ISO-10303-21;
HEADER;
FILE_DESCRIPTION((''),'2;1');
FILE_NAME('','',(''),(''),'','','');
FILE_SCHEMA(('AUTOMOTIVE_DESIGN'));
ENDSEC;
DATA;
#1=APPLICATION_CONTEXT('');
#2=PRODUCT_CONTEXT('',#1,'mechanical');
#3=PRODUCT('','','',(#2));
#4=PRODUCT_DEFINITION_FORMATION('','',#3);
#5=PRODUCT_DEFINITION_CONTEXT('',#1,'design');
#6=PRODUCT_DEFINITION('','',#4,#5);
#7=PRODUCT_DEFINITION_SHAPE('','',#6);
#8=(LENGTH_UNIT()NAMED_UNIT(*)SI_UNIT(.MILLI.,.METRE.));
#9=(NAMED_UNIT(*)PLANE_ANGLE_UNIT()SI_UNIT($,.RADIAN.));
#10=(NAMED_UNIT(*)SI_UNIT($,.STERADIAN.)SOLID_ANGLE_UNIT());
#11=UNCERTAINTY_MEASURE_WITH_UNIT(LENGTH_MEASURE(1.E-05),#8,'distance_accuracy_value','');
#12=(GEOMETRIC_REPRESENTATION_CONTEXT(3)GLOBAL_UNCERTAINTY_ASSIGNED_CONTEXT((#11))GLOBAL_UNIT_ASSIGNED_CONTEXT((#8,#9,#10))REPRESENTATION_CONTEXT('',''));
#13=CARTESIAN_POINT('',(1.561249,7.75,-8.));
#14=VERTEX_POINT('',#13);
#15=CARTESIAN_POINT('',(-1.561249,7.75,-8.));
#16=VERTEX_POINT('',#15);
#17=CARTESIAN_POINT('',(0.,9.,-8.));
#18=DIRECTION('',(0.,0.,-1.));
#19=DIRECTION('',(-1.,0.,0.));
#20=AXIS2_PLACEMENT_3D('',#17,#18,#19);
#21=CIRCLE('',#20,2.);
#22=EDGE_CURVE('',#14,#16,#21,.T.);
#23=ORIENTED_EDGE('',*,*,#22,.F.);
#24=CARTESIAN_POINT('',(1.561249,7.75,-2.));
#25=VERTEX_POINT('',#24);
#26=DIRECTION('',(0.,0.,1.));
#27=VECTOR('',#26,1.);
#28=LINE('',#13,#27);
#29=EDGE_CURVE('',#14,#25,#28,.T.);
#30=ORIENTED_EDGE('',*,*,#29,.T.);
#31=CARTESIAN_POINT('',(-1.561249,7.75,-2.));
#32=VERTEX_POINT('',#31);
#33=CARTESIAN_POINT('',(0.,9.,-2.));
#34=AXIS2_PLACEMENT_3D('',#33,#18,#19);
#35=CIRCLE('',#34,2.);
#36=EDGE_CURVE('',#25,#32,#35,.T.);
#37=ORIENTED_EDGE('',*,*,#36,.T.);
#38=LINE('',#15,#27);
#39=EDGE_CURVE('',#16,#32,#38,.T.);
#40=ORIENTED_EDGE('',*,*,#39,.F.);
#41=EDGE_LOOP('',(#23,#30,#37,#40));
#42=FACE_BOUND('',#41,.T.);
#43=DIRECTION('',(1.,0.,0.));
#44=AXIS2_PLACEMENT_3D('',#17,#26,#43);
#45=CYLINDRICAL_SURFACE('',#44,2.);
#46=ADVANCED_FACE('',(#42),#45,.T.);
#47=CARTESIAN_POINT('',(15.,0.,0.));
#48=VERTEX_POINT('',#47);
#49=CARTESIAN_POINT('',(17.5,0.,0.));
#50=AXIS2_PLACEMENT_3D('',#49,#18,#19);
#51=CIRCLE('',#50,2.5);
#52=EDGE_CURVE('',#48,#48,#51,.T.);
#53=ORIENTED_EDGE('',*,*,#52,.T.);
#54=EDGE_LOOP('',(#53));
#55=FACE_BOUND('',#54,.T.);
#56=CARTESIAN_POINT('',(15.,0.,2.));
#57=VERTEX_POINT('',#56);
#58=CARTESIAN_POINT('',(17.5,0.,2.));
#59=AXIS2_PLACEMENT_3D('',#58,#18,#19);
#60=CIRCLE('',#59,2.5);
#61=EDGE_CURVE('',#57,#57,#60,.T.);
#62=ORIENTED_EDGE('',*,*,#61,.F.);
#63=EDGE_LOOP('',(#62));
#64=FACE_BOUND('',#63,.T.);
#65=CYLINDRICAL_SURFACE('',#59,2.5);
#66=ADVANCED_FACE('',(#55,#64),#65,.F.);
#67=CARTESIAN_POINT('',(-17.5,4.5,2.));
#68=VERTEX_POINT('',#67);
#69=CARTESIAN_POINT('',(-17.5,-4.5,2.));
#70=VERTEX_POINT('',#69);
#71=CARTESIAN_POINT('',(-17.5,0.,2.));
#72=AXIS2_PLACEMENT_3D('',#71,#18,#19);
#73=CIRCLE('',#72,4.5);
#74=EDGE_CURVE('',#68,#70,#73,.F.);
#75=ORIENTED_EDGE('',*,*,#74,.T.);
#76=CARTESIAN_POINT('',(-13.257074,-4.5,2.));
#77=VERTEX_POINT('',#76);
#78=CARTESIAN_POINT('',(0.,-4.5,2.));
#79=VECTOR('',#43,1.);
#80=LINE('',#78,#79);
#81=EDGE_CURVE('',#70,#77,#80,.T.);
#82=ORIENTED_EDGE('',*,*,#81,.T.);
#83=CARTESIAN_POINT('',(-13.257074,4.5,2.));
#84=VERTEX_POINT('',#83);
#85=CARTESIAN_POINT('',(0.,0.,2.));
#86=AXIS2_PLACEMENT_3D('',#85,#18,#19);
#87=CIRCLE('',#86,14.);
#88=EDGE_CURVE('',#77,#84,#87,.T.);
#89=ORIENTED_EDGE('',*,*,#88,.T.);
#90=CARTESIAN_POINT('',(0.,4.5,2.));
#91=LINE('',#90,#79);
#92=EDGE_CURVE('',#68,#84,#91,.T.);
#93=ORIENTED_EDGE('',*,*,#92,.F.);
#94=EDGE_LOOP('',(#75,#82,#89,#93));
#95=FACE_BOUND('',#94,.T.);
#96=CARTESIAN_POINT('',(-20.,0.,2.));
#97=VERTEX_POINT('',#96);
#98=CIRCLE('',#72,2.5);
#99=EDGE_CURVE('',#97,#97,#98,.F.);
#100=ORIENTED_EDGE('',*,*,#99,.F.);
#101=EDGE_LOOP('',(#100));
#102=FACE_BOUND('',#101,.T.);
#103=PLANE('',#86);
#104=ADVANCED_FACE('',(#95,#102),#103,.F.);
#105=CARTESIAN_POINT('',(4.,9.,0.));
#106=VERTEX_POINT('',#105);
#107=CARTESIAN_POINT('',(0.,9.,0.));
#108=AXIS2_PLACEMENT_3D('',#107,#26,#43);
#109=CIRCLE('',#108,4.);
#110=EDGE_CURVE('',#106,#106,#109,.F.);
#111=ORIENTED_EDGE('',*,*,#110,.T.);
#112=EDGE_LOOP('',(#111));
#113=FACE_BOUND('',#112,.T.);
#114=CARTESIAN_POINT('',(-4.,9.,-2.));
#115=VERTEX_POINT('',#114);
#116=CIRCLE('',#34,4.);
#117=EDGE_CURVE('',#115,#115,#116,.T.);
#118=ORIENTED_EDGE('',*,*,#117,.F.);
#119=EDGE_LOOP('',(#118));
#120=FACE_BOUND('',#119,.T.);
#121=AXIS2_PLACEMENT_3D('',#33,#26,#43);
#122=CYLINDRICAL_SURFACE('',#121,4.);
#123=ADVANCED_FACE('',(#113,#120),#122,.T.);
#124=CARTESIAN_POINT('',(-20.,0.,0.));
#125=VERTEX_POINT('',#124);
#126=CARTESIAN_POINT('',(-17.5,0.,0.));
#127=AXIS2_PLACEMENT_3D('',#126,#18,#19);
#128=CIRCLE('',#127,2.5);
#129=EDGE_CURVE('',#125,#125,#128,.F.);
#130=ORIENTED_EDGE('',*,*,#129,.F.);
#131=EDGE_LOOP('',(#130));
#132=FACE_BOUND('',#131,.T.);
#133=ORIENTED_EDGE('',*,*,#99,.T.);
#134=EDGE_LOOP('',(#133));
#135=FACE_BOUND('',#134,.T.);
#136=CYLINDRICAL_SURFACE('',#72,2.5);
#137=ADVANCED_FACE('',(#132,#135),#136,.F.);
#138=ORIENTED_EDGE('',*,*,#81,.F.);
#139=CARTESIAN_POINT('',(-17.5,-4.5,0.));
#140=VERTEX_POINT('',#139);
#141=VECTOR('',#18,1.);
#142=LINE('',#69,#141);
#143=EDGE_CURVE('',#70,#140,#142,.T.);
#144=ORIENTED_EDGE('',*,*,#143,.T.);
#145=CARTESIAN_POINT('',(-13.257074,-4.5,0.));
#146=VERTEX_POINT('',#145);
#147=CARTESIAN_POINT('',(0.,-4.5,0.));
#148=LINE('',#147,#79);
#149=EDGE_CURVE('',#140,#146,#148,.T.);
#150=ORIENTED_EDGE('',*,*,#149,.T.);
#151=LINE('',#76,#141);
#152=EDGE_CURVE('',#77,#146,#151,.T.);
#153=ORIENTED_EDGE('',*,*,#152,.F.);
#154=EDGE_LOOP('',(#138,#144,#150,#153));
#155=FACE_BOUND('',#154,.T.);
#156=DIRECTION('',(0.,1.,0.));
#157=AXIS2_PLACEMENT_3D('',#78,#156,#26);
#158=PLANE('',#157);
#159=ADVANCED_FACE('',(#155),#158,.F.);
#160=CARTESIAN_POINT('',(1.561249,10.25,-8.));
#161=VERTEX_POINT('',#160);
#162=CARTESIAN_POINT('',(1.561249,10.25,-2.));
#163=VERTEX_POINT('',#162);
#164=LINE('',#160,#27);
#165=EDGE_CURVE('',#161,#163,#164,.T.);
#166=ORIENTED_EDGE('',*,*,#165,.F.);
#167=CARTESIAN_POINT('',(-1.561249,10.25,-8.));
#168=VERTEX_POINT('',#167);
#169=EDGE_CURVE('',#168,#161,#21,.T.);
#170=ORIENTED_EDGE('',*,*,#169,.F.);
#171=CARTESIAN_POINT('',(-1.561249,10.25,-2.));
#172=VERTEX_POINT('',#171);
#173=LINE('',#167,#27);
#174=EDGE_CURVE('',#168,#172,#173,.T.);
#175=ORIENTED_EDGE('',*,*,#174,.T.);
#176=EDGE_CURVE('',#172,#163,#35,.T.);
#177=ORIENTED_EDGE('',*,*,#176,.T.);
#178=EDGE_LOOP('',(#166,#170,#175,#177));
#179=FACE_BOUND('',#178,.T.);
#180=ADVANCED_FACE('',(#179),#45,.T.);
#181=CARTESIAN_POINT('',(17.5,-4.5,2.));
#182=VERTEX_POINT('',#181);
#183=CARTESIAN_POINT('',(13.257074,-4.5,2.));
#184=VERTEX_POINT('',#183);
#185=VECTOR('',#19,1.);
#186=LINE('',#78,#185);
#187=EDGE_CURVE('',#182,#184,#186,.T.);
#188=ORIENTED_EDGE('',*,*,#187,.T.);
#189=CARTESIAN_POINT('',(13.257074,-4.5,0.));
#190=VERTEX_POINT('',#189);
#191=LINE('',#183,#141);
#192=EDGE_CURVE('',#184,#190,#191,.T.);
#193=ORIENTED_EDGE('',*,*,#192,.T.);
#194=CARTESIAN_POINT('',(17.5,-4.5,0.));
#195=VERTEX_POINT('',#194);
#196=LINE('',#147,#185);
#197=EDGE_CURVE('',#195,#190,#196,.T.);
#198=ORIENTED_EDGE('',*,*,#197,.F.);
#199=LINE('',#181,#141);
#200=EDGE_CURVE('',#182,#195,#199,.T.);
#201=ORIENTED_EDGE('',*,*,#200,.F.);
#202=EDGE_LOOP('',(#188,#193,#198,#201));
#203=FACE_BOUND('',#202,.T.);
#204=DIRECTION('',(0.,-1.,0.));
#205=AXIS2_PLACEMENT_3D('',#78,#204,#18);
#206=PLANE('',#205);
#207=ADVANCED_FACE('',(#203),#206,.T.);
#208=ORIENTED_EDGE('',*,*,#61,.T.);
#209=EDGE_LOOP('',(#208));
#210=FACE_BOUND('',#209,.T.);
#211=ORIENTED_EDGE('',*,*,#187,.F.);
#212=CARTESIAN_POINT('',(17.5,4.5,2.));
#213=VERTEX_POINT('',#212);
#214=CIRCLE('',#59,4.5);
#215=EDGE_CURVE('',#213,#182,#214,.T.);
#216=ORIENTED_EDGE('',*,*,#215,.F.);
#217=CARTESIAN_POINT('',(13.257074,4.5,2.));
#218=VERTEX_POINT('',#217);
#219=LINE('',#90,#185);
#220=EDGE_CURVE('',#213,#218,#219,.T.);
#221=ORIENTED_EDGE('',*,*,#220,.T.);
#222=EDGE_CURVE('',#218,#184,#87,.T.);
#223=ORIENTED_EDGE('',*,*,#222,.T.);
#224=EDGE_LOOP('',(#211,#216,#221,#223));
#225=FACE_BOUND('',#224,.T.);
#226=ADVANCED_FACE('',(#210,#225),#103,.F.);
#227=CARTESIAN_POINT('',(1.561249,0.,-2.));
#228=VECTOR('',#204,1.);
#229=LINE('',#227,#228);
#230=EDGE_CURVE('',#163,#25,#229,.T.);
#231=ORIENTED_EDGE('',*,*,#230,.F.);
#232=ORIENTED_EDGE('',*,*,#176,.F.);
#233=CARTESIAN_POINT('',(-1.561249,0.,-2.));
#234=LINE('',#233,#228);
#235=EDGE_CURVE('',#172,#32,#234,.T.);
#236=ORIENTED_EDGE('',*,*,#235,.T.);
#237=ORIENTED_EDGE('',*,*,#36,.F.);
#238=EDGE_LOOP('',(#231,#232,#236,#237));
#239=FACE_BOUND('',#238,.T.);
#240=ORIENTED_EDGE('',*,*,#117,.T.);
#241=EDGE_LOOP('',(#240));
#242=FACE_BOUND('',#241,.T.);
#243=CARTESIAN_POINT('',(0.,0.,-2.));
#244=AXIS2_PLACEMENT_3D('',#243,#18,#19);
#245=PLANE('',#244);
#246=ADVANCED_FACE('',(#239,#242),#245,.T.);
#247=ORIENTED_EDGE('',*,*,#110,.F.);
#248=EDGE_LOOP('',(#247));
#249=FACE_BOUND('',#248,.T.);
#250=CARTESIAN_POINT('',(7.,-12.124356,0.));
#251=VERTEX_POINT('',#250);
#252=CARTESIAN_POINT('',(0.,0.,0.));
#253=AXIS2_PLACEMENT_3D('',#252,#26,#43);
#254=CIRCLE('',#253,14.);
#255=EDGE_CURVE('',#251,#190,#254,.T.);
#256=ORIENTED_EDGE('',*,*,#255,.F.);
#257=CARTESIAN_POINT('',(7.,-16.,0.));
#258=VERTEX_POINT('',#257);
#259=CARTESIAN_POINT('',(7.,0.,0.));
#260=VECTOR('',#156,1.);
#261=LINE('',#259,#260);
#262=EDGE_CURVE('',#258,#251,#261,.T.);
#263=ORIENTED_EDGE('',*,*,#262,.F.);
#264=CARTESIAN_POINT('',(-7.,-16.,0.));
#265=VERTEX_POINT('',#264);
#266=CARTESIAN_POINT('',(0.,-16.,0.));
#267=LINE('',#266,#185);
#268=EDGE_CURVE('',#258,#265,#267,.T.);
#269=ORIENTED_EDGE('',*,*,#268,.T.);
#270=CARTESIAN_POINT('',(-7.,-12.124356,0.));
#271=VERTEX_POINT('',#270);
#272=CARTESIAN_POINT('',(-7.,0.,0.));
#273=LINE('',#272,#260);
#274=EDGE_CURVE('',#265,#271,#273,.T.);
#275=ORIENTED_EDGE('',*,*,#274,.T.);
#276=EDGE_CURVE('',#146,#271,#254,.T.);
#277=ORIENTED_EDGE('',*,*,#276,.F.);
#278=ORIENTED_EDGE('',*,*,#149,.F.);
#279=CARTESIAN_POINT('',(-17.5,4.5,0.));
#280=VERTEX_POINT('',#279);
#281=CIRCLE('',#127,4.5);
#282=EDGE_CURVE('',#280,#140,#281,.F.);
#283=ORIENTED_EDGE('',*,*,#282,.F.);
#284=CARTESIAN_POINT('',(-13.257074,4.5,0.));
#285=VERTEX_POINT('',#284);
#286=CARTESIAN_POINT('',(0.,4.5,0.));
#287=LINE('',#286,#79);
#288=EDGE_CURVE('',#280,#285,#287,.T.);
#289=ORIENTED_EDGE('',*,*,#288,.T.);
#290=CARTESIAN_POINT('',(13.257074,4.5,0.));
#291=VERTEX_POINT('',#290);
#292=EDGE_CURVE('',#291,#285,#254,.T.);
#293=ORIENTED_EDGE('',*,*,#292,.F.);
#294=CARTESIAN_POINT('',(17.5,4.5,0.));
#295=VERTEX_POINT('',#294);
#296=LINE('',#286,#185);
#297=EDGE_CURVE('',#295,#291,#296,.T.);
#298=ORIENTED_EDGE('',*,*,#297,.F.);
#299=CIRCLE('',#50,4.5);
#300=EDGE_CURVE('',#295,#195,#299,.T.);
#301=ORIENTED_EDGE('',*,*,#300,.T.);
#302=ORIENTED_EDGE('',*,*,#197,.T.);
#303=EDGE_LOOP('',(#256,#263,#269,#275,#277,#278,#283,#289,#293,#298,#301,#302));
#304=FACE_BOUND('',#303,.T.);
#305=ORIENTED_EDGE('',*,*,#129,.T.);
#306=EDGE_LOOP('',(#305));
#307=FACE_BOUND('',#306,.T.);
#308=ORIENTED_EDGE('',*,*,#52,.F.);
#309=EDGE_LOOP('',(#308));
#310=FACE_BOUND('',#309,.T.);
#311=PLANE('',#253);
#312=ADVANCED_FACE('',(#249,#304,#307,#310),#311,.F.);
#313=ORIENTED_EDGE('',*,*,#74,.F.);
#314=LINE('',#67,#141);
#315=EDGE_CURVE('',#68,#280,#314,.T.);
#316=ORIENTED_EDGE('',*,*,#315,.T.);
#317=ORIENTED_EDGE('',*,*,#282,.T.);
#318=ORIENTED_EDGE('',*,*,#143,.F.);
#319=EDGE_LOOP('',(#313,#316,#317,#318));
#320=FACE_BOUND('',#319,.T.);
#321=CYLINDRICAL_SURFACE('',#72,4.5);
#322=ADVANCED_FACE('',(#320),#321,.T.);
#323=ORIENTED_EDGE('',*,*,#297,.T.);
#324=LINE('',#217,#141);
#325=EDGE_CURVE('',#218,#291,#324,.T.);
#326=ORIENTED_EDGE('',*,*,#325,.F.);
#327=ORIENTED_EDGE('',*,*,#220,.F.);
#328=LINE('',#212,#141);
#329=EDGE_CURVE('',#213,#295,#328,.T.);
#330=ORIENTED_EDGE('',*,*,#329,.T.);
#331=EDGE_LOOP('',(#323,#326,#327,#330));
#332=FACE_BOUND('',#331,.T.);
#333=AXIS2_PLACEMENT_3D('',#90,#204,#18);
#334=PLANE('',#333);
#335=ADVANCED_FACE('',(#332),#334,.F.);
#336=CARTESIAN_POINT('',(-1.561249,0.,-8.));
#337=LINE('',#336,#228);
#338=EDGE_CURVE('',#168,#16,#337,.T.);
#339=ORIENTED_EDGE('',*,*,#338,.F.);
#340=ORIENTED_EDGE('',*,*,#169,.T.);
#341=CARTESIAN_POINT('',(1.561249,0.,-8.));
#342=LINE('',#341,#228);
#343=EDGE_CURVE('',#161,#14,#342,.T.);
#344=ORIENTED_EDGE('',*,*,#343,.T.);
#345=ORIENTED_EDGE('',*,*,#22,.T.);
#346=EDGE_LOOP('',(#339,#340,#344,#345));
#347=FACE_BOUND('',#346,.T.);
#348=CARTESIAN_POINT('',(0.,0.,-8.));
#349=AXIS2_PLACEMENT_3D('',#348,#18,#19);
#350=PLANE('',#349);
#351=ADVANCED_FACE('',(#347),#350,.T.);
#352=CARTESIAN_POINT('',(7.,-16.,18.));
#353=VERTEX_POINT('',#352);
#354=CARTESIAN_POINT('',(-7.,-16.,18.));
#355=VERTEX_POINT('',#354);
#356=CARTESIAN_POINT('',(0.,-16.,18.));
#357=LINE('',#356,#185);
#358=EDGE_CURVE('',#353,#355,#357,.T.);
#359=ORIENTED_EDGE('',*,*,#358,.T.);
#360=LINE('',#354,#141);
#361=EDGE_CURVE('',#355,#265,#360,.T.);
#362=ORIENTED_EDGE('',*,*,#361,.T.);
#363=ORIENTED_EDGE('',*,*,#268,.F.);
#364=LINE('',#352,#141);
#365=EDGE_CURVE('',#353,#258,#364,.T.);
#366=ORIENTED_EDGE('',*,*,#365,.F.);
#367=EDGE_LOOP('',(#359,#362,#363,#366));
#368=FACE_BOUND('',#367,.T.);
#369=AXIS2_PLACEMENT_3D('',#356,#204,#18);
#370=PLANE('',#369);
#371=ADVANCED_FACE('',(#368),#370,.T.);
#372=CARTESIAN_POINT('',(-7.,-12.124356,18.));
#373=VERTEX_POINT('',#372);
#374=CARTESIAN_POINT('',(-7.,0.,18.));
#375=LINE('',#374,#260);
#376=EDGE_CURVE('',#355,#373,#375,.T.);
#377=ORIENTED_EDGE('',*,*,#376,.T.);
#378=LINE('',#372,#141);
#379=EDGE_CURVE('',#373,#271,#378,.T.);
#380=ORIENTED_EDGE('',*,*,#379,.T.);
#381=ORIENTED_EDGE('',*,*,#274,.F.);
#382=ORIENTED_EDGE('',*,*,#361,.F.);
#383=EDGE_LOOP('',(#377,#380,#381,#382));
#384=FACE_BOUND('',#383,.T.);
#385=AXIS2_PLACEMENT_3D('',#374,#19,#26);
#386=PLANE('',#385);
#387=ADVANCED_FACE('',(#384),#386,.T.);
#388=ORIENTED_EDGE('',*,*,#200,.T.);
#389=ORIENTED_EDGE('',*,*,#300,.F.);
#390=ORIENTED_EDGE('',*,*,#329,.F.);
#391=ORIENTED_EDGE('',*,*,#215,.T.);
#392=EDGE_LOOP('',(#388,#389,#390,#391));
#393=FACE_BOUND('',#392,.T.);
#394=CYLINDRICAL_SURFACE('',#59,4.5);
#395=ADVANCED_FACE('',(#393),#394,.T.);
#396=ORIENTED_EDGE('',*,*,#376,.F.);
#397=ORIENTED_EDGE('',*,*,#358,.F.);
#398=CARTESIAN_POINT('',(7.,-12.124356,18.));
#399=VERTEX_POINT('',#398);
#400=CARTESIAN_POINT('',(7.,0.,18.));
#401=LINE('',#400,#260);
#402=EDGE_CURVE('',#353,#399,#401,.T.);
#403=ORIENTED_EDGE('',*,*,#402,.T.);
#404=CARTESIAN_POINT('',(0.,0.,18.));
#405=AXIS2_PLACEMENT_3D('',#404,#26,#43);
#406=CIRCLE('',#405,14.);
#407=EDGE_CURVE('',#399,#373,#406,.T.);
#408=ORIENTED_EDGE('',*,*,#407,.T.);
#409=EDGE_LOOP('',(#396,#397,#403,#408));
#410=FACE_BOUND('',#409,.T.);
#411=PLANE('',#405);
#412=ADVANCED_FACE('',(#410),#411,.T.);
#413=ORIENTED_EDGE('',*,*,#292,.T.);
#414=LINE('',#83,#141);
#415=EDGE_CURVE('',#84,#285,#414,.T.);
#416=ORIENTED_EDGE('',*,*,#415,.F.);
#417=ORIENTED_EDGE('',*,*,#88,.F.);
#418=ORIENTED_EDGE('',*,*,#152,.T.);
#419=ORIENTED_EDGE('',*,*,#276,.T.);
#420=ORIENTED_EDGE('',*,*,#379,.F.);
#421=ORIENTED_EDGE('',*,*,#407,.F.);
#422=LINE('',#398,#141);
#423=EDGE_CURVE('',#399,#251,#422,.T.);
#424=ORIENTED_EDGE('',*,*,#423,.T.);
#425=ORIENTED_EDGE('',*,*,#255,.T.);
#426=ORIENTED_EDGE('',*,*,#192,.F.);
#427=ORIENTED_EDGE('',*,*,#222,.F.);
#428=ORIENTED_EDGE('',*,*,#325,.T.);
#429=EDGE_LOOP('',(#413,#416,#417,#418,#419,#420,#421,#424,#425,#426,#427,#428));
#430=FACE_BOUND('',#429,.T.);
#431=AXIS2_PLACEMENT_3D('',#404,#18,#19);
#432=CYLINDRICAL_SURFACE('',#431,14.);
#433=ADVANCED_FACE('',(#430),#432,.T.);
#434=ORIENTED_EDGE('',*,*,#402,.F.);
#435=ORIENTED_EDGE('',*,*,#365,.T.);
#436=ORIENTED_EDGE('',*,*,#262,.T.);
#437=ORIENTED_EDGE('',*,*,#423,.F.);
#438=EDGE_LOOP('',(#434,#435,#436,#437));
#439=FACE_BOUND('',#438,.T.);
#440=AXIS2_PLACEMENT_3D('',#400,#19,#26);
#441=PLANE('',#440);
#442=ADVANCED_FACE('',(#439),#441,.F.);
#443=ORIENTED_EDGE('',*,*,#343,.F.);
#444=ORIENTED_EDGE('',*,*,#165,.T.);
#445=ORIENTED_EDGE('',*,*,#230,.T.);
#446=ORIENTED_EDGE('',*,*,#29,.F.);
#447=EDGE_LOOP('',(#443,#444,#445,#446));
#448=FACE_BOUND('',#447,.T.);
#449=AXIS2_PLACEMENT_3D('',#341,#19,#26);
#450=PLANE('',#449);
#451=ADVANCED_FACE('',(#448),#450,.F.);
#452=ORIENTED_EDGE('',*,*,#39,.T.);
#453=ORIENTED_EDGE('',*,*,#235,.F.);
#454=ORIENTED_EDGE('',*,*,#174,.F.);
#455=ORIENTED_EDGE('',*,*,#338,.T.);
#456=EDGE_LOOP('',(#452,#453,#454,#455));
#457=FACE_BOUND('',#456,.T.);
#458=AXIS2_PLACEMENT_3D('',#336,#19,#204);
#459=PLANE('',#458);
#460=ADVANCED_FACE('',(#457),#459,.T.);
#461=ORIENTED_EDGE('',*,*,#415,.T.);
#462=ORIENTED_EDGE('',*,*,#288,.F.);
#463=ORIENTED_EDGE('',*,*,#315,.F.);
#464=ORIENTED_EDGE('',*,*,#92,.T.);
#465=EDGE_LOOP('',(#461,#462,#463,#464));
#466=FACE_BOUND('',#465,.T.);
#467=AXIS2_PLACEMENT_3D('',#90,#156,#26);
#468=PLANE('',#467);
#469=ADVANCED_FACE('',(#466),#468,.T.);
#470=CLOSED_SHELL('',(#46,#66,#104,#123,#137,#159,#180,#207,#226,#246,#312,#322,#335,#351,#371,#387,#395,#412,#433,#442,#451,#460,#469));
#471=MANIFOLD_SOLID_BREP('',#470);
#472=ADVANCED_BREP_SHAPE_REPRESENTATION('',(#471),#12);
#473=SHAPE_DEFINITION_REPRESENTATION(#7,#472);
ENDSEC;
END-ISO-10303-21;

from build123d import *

# Parameters (mm, degrees)
CROQUIS1_R              = 14
SALIENTE_EXTRUIR1_DEPTH = 18
CROQUIS2_R              = 2.5
SALIENTE_EXTRUIR3_DEPTH = 2
SALIENTE_EXTRUIR4_DEPTH = 2
SALIENTE_EXTRUIR5_DEPTH = 6


with BuildPart() as part:
    # Croquis1 → Saliente-Extruir1 (new body)
    with BuildSketch(Plane.XY):
        Circle(CROQUIS1_R)
        with BuildLine():
            ThreePointArc((7, -12.124355653), (3.623466631, -13.522961568), (0, -14))
            Line((0, -14), (0, -16))
            Line((0, -16), (7, -16))
            Line((7, -16), (7, -12.124355653))
        make_face()
        with BuildLine():
            Line((0, -16), (0, -14))
            ThreePointArc((0, -14), (-3.623466631, -13.522961568), (-7, -12.124355653))
            Line((-7, -12.124355653), (-7, -16))
            Line((-7, -16), (0, -16))
        make_face()
    extrude(amount=SALIENTE_EXTRUIR1_DEPTH)

    # Croquis2 → Saliente-Extruir3 (add)
    # profile 1 of 2: a face of its own
    with BuildSketch(Plane(origin=(0, 0, 0), x_dir=(-1, 0, 0), z_dir=(0, 0, -1))):
        with BuildLine():
            Line((-17.5, 4.5), (-13.257073584, 4.5))
            ThreePointArc((-13.257073584, 4.5), (-14, 0), (-13.257073584, -4.5))
            Line((-13.257073584, -4.5), (-17.5, -4.5))
            ThreePointArc((-17.5, -4.5), (-22, 0), (-17.5, 4.5))
        make_face()
        with Locations((-17.5, 0)):
            Circle(CROQUIS2_R, mode=Mode.SUBTRACT)
    # profile 2 of 2: a face of its own
    with BuildSketch(Plane(origin=(0, 0, 0), x_dir=(-1, 0, 0), z_dir=(0, 0, -1))):
        with BuildLine():
            Line((17.5, -4.5), (13.257073584, -4.5))
            ThreePointArc((13.257073584, -4.5), (14, 0), (13.257073584, 4.5))
            Line((13.257073584, 4.5), (17.5, 4.5))
            ThreePointArc((17.5, 4.5), (22, 0), (17.5, -4.5))
        make_face()
        with Locations((17.5, 0)):
            Circle(CROQUIS2_R, mode=Mode.SUBTRACT)
    extrude(amount=-SALIENTE_EXTRUIR3_DEPTH)

    # Croquis3 → Saliente-Extruir4 (add)
    with BuildSketch(Plane(origin=(0, 0, 0), x_dir=(-1, 0, 0), z_dir=(0, 0, -1))):
        with BuildLine():
            ThreePointArc((4, 9), (2.828427125, 11.828427125), (0, 13))
            Line((0, 13), (0, 5))
            ThreePointArc((0, 5), (2.828427125, 6.171572875), (4, 9))
        make_face()
        with BuildLine():
            Line((0, 5), (0, 13))
            ThreePointArc((0, 13), (-4, 9), (0, 5))
        make_face()
    extrude(amount=SALIENTE_EXTRUIR4_DEPTH)

    # Croquis4 → Saliente-Extruir5 (add)
    with BuildSketch(Plane(origin=(0, 0, -2), x_dir=(-1, 0, 0), z_dir=(0, 0, -1))):
        with BuildLine():
            ThreePointArc((1.5612495, 10.25), (0, 11), (-1.5612495, 10.25))
            Line((-1.5612495, 10.25), (-1.5612495, 7.75))
            ThreePointArc((-1.5612495, 7.75), (0, 7), (1.5612495, 7.75))
            Line((1.5612495, 7.75), (1.5612495, 10.25))
        make_face()
    extrude(amount=SALIENTE_EXTRUIR5_DEPTH)


solid = part.part
